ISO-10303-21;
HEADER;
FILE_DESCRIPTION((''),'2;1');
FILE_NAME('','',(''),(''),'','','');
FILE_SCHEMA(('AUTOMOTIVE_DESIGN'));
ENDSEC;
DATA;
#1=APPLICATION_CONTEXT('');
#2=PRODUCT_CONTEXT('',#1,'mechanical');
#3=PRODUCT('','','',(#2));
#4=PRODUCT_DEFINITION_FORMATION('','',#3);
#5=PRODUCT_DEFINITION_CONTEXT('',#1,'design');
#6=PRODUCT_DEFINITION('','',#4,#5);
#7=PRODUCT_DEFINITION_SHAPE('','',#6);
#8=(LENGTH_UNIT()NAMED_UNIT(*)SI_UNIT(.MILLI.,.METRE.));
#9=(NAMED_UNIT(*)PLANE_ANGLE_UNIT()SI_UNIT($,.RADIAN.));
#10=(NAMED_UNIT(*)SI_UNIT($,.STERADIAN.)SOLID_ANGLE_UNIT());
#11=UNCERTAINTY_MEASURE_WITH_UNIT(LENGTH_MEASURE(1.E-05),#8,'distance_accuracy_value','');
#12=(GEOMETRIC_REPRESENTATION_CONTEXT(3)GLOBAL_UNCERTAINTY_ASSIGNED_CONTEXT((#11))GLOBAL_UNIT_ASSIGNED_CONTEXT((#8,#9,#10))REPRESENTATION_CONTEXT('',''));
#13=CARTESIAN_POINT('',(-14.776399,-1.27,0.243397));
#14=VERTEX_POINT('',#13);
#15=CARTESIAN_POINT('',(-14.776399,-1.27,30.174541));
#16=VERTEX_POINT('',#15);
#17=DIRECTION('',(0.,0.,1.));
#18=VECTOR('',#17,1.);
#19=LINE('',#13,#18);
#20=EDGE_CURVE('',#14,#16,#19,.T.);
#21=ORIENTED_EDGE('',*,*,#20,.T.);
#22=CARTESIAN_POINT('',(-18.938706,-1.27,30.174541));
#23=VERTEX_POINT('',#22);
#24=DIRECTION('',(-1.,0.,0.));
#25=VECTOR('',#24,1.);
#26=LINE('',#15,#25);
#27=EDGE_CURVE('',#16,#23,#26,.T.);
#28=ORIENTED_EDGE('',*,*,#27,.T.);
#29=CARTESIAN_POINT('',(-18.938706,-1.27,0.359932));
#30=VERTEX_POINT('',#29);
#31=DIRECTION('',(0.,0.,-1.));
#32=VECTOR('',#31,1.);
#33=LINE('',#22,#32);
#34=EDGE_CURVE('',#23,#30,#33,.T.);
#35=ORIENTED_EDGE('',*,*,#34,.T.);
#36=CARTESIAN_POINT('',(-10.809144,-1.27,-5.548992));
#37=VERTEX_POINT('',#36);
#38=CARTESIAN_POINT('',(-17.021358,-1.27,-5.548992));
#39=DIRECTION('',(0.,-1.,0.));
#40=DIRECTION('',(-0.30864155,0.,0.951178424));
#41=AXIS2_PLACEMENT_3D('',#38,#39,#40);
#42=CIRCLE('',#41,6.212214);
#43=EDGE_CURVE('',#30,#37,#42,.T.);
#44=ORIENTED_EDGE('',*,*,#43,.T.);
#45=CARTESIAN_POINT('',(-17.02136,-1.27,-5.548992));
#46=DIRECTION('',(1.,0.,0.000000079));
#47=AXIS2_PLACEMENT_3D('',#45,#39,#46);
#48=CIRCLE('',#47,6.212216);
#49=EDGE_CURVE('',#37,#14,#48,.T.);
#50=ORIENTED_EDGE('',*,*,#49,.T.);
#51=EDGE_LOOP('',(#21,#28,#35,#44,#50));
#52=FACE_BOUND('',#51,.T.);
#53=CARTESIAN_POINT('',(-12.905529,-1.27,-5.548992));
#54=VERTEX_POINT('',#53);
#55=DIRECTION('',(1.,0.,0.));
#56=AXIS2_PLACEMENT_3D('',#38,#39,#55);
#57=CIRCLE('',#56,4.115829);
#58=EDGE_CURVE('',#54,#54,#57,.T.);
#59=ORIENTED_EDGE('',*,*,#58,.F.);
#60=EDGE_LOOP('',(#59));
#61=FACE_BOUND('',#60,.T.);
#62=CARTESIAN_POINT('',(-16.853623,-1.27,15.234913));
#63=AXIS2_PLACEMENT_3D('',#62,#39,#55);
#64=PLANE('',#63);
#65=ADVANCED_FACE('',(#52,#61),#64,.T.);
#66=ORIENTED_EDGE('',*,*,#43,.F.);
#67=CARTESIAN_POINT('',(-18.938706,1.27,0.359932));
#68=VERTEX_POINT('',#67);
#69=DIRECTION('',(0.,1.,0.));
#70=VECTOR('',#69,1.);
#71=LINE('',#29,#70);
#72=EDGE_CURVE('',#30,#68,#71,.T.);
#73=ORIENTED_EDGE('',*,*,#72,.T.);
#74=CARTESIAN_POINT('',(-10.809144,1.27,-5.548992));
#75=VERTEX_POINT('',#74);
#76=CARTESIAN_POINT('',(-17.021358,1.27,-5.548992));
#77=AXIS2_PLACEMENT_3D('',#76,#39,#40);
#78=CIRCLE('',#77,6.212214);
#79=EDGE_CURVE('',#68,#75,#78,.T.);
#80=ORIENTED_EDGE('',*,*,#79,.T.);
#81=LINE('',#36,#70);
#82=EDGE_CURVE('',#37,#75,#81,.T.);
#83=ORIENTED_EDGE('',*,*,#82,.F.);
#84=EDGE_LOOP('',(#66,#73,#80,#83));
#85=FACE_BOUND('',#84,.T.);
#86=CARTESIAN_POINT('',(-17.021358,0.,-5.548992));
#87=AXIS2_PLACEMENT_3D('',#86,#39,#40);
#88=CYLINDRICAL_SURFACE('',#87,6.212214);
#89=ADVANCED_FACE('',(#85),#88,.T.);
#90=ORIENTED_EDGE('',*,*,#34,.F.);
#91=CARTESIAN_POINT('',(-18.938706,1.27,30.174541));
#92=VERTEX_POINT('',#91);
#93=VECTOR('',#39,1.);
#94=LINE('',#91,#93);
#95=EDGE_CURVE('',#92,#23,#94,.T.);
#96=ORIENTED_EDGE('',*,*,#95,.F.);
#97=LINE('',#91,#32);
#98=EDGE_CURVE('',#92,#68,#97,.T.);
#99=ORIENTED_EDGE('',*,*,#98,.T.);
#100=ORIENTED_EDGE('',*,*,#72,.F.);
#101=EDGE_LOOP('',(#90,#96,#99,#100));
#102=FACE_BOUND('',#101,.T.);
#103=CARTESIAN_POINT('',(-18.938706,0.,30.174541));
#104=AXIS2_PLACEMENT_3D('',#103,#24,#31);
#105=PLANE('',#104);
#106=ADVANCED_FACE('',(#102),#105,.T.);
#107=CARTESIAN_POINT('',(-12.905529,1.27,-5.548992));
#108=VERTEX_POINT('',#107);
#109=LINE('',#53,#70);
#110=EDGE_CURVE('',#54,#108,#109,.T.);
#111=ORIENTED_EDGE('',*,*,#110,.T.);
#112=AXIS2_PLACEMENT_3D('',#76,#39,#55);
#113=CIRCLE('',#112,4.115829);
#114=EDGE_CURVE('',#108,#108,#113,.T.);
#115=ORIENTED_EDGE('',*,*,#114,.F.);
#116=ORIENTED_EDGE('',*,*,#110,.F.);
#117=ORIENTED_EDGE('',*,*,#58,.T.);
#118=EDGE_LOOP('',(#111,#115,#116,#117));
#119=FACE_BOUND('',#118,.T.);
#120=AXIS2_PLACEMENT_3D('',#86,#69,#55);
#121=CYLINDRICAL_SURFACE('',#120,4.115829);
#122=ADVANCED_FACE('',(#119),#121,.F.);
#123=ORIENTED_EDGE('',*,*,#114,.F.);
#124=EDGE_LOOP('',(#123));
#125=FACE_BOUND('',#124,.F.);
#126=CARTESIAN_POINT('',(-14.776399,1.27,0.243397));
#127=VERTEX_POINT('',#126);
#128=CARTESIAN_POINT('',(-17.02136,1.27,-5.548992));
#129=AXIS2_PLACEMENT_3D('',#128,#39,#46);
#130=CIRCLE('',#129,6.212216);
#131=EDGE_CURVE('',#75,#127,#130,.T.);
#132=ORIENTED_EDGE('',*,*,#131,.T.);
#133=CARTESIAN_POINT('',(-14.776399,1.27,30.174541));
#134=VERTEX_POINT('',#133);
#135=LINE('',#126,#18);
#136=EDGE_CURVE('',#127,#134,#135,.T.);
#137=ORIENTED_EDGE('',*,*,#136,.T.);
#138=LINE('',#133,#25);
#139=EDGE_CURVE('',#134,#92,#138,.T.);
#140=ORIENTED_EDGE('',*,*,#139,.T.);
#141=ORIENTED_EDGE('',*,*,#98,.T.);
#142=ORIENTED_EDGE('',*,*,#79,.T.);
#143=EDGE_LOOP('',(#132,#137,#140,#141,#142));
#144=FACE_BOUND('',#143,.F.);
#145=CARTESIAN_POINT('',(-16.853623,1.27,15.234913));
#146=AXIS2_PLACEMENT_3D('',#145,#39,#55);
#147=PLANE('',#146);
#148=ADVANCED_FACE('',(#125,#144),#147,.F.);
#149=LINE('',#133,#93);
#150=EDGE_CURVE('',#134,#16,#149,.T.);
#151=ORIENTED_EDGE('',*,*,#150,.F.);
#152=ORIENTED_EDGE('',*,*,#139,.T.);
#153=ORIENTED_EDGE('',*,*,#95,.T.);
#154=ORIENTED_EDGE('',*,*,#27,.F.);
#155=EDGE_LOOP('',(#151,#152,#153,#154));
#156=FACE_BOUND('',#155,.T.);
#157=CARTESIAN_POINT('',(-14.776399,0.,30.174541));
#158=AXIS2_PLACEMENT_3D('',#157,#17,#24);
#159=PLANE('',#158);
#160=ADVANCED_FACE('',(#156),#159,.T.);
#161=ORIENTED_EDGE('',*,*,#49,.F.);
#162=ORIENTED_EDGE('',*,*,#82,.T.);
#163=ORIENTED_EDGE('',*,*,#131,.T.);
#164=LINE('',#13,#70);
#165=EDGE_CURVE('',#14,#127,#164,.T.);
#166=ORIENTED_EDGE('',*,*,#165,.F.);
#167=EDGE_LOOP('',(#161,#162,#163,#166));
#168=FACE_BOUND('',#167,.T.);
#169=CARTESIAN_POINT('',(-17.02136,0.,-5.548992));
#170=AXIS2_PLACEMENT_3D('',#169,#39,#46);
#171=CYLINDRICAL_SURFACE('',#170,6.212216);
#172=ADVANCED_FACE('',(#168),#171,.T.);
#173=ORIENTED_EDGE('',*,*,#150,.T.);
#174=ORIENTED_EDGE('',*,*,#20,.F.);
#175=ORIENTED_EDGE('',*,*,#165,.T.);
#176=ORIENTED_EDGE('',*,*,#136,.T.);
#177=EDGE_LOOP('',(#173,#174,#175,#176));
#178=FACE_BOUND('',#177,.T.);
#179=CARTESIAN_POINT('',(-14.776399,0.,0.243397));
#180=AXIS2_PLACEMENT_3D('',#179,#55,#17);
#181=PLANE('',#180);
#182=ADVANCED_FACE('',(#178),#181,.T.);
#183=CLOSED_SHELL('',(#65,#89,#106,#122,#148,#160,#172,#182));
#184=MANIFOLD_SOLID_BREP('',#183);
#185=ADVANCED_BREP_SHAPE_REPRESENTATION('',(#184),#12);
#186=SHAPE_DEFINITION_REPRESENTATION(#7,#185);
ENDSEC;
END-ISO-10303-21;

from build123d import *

# Parameters (mm, degrees)
F0_R     = 4.115829
F1_DEPTH = 1.27


with BuildPart() as f1:
    # F0 (on Front) → F1 (new body, symmetric)
    with BuildSketch(Plane.XZ):
        with BuildLine():
            ThreePointArc((-18.938706, 0.359932), (-16.847498, 0.660789), (-14.776399, 0.243397))
            Line((-14.776399, 0.243397), (-14.776399, 30.174541))
            Line((-14.776399, 30.174541), (-18.938706, 30.174541))
            Line((-18.938706, 30.174541), (-18.938706, 0.359932))
        make_face()
        with BuildLine():
            ThreePointArc((-18.938706, 0.359932), (-20.673798, -10.574059), (-10.809144, -5.548992))
            ThreePointArc((-10.809144, -5.548992), (-11.89604, -2.038619), (-14.776399, 0.243397))
            ThreePointArc((-14.776399, 0.243397), (-16.847498, 0.660789), (-18.938706, 0.359932))
        make_face()
        with Locations((-17.021358, -5.548992)):
            Circle(F0_R, mode=Mode.SUBTRACT)
    extrude(amount=F1_DEPTH, both=True)


solid = f1.part
